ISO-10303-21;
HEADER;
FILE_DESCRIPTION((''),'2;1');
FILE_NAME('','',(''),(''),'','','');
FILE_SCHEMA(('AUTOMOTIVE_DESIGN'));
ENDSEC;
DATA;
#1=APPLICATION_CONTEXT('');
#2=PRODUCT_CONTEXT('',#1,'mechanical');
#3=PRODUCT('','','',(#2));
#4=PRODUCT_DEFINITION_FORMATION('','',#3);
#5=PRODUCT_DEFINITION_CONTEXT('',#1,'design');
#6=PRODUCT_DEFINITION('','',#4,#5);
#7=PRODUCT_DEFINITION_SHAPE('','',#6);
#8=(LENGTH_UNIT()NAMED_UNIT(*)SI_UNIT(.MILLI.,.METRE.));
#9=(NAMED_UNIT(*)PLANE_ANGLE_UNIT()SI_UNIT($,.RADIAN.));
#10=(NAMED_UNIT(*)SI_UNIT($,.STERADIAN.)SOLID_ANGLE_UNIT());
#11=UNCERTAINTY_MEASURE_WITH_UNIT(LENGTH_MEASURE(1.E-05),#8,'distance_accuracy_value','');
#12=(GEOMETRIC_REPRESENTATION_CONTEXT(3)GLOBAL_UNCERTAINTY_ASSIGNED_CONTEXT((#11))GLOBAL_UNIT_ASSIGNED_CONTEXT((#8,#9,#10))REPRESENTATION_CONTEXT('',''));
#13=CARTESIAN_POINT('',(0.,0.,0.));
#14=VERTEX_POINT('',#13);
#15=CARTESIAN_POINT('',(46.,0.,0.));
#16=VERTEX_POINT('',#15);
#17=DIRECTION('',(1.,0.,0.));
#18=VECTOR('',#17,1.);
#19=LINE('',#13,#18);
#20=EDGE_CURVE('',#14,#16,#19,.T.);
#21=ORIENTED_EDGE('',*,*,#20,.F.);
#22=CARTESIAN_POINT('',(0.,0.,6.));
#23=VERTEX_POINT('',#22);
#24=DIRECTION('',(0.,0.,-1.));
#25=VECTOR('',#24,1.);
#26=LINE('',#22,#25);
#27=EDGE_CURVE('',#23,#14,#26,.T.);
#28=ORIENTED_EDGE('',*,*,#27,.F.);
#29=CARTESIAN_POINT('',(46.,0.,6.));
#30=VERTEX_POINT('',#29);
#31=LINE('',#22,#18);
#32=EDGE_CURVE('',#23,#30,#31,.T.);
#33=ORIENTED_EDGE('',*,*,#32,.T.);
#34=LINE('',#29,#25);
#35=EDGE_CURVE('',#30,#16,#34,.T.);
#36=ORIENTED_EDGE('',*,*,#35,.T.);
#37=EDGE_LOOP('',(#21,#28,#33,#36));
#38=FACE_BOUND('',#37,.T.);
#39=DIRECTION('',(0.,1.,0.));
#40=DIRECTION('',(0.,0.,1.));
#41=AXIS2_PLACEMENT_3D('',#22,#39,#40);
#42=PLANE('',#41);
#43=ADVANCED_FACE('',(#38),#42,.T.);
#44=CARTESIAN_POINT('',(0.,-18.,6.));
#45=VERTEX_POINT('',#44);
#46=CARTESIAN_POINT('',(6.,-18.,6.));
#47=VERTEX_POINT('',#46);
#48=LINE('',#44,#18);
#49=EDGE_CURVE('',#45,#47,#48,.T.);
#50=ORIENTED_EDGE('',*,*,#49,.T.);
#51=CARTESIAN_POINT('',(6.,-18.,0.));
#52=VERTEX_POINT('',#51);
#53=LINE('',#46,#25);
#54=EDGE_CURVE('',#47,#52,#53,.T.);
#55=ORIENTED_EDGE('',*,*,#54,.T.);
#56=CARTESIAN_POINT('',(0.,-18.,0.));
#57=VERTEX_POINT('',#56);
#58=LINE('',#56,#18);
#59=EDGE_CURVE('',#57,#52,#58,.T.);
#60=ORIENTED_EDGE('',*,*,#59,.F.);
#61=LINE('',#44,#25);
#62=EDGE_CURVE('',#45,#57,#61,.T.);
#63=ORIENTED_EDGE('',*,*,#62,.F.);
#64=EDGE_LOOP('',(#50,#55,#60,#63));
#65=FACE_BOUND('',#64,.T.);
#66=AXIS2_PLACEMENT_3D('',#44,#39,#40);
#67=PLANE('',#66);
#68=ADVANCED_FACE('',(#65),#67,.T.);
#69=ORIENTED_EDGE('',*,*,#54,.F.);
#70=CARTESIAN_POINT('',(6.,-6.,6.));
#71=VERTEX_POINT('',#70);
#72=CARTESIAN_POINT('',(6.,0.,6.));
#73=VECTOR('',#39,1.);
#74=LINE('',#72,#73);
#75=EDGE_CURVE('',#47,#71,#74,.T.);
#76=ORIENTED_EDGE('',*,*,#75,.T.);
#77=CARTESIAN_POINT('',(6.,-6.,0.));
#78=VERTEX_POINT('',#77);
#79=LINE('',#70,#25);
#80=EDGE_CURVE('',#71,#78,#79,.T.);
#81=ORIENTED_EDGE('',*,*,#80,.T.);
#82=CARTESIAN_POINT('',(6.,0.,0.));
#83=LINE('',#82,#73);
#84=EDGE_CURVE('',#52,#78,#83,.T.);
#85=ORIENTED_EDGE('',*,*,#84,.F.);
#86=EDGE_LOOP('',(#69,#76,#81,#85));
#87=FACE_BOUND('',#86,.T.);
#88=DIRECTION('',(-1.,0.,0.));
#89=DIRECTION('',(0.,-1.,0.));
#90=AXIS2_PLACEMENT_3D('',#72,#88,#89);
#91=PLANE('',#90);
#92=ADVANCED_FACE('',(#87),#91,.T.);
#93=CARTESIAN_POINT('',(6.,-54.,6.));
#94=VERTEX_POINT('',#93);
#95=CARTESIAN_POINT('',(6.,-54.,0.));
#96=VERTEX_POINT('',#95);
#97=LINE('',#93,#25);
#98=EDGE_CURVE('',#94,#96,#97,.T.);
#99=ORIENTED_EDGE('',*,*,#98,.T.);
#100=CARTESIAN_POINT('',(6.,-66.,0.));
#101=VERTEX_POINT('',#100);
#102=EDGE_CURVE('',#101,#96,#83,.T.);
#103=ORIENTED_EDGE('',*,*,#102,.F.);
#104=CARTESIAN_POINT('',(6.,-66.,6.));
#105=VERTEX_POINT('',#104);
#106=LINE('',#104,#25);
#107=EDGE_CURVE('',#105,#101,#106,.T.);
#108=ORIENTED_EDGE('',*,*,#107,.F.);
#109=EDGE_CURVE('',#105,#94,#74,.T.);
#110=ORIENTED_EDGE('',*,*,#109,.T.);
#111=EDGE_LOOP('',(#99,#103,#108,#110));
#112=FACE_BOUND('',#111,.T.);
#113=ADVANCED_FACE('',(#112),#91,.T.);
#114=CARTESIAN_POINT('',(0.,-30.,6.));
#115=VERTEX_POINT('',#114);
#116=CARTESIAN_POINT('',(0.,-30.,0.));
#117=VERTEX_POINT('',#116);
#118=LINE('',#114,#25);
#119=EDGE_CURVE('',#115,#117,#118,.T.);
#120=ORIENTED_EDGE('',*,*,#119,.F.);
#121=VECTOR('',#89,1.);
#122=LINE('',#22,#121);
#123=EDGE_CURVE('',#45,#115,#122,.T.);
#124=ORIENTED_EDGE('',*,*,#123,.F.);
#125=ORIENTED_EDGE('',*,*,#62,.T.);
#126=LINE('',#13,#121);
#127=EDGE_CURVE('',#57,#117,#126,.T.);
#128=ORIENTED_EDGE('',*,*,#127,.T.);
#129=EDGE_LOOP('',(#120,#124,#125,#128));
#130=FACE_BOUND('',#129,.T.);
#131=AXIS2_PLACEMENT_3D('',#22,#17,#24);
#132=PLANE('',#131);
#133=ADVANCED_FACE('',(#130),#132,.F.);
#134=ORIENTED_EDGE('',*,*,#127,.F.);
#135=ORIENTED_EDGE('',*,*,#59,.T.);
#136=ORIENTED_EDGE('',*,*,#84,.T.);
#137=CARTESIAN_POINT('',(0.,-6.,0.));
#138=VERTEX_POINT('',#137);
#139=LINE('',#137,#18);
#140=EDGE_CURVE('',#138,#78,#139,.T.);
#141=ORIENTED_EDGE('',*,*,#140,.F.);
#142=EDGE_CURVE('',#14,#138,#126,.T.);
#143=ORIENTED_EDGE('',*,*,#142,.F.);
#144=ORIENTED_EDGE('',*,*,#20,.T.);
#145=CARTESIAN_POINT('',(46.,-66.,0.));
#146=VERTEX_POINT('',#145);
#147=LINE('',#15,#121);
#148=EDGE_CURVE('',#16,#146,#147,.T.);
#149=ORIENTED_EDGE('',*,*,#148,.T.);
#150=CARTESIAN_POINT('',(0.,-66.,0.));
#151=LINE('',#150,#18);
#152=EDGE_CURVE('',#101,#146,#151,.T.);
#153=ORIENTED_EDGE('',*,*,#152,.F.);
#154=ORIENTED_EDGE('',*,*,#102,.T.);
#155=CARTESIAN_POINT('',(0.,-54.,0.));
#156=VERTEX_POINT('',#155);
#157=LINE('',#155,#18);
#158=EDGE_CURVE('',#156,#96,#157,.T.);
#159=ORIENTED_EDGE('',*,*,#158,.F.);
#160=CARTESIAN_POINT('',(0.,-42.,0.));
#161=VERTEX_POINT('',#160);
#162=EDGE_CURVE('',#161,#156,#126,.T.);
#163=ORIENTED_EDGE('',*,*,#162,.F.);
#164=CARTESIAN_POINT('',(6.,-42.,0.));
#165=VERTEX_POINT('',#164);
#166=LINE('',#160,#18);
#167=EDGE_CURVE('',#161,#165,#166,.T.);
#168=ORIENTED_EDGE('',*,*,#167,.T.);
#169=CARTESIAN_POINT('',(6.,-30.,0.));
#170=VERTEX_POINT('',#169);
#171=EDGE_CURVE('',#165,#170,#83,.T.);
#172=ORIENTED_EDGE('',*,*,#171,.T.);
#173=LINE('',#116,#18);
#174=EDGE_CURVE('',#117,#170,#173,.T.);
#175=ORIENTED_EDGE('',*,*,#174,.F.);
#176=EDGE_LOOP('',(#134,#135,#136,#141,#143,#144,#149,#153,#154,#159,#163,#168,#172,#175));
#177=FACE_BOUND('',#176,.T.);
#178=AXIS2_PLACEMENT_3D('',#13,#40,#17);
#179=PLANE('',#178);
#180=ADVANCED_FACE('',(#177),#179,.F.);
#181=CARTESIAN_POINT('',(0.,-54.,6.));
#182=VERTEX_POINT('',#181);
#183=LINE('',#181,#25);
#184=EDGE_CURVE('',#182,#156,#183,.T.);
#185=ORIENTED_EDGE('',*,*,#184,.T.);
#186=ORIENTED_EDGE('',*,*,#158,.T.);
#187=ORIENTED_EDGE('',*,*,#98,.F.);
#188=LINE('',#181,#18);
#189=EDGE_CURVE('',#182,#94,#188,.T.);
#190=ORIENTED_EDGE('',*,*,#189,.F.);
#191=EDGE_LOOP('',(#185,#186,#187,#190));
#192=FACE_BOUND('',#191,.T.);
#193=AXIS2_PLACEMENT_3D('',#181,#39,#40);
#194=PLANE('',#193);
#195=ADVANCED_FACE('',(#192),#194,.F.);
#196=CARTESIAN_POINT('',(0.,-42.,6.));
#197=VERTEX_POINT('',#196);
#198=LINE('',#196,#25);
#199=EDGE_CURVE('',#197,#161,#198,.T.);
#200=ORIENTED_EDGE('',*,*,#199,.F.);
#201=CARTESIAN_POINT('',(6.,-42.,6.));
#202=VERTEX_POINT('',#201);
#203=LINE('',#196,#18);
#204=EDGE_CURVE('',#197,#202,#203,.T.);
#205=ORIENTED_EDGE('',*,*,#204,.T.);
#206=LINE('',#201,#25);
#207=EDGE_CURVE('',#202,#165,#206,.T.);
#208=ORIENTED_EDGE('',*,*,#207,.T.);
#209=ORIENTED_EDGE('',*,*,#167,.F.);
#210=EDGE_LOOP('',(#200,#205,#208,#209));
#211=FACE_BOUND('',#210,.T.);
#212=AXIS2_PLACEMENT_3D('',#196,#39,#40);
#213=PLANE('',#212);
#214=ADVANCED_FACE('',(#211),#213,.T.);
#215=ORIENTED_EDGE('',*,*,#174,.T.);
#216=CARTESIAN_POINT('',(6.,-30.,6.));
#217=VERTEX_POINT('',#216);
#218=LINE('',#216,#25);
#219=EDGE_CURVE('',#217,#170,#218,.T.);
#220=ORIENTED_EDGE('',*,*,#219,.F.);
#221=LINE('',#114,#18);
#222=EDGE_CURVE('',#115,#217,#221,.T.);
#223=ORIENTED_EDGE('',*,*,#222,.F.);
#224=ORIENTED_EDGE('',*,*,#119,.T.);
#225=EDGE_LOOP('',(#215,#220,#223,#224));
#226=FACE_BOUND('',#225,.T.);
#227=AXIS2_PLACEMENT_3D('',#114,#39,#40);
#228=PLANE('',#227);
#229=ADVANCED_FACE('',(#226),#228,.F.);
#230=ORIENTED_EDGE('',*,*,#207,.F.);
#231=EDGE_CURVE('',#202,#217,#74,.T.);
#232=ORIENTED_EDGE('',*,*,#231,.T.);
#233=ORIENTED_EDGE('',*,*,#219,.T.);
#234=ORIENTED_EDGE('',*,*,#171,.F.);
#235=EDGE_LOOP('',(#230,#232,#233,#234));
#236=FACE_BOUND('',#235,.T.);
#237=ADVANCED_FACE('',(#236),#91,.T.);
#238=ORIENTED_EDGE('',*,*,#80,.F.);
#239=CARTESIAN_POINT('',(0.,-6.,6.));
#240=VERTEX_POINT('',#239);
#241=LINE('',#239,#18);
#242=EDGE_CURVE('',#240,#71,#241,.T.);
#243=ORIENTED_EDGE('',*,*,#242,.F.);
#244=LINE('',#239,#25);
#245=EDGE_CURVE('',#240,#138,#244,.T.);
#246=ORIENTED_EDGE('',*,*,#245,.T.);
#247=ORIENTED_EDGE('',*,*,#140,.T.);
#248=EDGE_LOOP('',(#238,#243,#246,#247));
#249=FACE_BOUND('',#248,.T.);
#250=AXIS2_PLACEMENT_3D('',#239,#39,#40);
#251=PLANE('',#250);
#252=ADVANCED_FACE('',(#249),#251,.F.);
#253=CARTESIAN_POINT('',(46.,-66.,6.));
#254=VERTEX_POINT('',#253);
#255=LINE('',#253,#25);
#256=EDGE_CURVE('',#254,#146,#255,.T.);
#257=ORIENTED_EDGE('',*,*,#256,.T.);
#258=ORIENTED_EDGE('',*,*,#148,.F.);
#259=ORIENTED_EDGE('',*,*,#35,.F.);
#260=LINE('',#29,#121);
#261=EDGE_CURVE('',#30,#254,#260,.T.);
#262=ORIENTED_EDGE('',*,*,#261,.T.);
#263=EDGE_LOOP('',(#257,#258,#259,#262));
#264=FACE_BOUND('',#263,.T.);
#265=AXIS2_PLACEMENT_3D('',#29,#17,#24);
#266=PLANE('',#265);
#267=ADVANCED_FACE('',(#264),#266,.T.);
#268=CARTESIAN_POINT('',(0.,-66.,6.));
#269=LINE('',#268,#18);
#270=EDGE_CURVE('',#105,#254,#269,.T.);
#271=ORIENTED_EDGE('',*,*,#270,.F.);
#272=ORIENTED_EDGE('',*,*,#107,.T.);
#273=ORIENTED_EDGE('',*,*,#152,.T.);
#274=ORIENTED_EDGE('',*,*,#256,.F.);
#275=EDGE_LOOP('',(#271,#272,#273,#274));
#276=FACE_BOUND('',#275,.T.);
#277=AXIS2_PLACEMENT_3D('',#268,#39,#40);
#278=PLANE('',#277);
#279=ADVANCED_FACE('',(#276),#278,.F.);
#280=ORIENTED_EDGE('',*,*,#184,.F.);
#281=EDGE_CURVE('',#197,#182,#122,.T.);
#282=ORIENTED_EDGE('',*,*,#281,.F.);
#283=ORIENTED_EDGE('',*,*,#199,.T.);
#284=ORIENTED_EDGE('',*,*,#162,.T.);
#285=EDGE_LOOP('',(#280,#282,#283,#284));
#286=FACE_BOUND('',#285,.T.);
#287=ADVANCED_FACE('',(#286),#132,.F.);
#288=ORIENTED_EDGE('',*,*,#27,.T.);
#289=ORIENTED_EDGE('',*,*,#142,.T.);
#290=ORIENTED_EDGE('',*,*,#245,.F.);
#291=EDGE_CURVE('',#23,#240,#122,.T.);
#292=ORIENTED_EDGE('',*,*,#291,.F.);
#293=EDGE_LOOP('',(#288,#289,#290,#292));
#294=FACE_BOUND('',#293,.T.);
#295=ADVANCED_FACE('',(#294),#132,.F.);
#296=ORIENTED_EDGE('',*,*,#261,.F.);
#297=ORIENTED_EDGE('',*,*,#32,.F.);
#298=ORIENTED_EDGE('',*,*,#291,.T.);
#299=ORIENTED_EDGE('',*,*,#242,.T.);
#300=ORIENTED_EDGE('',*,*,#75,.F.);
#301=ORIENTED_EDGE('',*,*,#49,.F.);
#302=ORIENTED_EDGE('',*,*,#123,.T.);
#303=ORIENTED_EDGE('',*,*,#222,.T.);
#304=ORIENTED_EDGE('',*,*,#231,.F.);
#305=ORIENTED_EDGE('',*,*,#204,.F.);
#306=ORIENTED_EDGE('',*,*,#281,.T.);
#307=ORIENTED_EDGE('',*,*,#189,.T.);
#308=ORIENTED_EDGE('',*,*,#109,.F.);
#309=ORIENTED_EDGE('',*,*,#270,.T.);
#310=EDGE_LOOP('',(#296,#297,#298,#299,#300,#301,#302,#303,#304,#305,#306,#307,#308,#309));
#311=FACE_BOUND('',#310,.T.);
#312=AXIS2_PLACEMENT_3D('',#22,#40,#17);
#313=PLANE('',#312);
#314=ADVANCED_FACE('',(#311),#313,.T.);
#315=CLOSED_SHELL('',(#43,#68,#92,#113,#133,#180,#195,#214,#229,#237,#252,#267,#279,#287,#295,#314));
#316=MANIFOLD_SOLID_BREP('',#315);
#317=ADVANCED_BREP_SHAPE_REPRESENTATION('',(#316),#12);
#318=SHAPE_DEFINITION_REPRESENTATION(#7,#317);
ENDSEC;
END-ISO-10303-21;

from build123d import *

# Parameters (mm, degrees)
BOSS_EXTRUDE1_DEPTH = 6


with BuildPart() as part:
    # Sketch1 → Boss-Extrude1 (new body)
    with BuildSketch(Plane.XY):
        Polygon((6, -42), (0, -42), (0, -54), (6, -54), (6, -66), (46, -66), (46, 0), (0, 0), (0, -6), (6, -6), (6, -18), (0, -18), (0, -30), (6, -30), align=None)
    extrude(amount=BOSS_EXTRUDE1_DEPTH)


solid = part.part
